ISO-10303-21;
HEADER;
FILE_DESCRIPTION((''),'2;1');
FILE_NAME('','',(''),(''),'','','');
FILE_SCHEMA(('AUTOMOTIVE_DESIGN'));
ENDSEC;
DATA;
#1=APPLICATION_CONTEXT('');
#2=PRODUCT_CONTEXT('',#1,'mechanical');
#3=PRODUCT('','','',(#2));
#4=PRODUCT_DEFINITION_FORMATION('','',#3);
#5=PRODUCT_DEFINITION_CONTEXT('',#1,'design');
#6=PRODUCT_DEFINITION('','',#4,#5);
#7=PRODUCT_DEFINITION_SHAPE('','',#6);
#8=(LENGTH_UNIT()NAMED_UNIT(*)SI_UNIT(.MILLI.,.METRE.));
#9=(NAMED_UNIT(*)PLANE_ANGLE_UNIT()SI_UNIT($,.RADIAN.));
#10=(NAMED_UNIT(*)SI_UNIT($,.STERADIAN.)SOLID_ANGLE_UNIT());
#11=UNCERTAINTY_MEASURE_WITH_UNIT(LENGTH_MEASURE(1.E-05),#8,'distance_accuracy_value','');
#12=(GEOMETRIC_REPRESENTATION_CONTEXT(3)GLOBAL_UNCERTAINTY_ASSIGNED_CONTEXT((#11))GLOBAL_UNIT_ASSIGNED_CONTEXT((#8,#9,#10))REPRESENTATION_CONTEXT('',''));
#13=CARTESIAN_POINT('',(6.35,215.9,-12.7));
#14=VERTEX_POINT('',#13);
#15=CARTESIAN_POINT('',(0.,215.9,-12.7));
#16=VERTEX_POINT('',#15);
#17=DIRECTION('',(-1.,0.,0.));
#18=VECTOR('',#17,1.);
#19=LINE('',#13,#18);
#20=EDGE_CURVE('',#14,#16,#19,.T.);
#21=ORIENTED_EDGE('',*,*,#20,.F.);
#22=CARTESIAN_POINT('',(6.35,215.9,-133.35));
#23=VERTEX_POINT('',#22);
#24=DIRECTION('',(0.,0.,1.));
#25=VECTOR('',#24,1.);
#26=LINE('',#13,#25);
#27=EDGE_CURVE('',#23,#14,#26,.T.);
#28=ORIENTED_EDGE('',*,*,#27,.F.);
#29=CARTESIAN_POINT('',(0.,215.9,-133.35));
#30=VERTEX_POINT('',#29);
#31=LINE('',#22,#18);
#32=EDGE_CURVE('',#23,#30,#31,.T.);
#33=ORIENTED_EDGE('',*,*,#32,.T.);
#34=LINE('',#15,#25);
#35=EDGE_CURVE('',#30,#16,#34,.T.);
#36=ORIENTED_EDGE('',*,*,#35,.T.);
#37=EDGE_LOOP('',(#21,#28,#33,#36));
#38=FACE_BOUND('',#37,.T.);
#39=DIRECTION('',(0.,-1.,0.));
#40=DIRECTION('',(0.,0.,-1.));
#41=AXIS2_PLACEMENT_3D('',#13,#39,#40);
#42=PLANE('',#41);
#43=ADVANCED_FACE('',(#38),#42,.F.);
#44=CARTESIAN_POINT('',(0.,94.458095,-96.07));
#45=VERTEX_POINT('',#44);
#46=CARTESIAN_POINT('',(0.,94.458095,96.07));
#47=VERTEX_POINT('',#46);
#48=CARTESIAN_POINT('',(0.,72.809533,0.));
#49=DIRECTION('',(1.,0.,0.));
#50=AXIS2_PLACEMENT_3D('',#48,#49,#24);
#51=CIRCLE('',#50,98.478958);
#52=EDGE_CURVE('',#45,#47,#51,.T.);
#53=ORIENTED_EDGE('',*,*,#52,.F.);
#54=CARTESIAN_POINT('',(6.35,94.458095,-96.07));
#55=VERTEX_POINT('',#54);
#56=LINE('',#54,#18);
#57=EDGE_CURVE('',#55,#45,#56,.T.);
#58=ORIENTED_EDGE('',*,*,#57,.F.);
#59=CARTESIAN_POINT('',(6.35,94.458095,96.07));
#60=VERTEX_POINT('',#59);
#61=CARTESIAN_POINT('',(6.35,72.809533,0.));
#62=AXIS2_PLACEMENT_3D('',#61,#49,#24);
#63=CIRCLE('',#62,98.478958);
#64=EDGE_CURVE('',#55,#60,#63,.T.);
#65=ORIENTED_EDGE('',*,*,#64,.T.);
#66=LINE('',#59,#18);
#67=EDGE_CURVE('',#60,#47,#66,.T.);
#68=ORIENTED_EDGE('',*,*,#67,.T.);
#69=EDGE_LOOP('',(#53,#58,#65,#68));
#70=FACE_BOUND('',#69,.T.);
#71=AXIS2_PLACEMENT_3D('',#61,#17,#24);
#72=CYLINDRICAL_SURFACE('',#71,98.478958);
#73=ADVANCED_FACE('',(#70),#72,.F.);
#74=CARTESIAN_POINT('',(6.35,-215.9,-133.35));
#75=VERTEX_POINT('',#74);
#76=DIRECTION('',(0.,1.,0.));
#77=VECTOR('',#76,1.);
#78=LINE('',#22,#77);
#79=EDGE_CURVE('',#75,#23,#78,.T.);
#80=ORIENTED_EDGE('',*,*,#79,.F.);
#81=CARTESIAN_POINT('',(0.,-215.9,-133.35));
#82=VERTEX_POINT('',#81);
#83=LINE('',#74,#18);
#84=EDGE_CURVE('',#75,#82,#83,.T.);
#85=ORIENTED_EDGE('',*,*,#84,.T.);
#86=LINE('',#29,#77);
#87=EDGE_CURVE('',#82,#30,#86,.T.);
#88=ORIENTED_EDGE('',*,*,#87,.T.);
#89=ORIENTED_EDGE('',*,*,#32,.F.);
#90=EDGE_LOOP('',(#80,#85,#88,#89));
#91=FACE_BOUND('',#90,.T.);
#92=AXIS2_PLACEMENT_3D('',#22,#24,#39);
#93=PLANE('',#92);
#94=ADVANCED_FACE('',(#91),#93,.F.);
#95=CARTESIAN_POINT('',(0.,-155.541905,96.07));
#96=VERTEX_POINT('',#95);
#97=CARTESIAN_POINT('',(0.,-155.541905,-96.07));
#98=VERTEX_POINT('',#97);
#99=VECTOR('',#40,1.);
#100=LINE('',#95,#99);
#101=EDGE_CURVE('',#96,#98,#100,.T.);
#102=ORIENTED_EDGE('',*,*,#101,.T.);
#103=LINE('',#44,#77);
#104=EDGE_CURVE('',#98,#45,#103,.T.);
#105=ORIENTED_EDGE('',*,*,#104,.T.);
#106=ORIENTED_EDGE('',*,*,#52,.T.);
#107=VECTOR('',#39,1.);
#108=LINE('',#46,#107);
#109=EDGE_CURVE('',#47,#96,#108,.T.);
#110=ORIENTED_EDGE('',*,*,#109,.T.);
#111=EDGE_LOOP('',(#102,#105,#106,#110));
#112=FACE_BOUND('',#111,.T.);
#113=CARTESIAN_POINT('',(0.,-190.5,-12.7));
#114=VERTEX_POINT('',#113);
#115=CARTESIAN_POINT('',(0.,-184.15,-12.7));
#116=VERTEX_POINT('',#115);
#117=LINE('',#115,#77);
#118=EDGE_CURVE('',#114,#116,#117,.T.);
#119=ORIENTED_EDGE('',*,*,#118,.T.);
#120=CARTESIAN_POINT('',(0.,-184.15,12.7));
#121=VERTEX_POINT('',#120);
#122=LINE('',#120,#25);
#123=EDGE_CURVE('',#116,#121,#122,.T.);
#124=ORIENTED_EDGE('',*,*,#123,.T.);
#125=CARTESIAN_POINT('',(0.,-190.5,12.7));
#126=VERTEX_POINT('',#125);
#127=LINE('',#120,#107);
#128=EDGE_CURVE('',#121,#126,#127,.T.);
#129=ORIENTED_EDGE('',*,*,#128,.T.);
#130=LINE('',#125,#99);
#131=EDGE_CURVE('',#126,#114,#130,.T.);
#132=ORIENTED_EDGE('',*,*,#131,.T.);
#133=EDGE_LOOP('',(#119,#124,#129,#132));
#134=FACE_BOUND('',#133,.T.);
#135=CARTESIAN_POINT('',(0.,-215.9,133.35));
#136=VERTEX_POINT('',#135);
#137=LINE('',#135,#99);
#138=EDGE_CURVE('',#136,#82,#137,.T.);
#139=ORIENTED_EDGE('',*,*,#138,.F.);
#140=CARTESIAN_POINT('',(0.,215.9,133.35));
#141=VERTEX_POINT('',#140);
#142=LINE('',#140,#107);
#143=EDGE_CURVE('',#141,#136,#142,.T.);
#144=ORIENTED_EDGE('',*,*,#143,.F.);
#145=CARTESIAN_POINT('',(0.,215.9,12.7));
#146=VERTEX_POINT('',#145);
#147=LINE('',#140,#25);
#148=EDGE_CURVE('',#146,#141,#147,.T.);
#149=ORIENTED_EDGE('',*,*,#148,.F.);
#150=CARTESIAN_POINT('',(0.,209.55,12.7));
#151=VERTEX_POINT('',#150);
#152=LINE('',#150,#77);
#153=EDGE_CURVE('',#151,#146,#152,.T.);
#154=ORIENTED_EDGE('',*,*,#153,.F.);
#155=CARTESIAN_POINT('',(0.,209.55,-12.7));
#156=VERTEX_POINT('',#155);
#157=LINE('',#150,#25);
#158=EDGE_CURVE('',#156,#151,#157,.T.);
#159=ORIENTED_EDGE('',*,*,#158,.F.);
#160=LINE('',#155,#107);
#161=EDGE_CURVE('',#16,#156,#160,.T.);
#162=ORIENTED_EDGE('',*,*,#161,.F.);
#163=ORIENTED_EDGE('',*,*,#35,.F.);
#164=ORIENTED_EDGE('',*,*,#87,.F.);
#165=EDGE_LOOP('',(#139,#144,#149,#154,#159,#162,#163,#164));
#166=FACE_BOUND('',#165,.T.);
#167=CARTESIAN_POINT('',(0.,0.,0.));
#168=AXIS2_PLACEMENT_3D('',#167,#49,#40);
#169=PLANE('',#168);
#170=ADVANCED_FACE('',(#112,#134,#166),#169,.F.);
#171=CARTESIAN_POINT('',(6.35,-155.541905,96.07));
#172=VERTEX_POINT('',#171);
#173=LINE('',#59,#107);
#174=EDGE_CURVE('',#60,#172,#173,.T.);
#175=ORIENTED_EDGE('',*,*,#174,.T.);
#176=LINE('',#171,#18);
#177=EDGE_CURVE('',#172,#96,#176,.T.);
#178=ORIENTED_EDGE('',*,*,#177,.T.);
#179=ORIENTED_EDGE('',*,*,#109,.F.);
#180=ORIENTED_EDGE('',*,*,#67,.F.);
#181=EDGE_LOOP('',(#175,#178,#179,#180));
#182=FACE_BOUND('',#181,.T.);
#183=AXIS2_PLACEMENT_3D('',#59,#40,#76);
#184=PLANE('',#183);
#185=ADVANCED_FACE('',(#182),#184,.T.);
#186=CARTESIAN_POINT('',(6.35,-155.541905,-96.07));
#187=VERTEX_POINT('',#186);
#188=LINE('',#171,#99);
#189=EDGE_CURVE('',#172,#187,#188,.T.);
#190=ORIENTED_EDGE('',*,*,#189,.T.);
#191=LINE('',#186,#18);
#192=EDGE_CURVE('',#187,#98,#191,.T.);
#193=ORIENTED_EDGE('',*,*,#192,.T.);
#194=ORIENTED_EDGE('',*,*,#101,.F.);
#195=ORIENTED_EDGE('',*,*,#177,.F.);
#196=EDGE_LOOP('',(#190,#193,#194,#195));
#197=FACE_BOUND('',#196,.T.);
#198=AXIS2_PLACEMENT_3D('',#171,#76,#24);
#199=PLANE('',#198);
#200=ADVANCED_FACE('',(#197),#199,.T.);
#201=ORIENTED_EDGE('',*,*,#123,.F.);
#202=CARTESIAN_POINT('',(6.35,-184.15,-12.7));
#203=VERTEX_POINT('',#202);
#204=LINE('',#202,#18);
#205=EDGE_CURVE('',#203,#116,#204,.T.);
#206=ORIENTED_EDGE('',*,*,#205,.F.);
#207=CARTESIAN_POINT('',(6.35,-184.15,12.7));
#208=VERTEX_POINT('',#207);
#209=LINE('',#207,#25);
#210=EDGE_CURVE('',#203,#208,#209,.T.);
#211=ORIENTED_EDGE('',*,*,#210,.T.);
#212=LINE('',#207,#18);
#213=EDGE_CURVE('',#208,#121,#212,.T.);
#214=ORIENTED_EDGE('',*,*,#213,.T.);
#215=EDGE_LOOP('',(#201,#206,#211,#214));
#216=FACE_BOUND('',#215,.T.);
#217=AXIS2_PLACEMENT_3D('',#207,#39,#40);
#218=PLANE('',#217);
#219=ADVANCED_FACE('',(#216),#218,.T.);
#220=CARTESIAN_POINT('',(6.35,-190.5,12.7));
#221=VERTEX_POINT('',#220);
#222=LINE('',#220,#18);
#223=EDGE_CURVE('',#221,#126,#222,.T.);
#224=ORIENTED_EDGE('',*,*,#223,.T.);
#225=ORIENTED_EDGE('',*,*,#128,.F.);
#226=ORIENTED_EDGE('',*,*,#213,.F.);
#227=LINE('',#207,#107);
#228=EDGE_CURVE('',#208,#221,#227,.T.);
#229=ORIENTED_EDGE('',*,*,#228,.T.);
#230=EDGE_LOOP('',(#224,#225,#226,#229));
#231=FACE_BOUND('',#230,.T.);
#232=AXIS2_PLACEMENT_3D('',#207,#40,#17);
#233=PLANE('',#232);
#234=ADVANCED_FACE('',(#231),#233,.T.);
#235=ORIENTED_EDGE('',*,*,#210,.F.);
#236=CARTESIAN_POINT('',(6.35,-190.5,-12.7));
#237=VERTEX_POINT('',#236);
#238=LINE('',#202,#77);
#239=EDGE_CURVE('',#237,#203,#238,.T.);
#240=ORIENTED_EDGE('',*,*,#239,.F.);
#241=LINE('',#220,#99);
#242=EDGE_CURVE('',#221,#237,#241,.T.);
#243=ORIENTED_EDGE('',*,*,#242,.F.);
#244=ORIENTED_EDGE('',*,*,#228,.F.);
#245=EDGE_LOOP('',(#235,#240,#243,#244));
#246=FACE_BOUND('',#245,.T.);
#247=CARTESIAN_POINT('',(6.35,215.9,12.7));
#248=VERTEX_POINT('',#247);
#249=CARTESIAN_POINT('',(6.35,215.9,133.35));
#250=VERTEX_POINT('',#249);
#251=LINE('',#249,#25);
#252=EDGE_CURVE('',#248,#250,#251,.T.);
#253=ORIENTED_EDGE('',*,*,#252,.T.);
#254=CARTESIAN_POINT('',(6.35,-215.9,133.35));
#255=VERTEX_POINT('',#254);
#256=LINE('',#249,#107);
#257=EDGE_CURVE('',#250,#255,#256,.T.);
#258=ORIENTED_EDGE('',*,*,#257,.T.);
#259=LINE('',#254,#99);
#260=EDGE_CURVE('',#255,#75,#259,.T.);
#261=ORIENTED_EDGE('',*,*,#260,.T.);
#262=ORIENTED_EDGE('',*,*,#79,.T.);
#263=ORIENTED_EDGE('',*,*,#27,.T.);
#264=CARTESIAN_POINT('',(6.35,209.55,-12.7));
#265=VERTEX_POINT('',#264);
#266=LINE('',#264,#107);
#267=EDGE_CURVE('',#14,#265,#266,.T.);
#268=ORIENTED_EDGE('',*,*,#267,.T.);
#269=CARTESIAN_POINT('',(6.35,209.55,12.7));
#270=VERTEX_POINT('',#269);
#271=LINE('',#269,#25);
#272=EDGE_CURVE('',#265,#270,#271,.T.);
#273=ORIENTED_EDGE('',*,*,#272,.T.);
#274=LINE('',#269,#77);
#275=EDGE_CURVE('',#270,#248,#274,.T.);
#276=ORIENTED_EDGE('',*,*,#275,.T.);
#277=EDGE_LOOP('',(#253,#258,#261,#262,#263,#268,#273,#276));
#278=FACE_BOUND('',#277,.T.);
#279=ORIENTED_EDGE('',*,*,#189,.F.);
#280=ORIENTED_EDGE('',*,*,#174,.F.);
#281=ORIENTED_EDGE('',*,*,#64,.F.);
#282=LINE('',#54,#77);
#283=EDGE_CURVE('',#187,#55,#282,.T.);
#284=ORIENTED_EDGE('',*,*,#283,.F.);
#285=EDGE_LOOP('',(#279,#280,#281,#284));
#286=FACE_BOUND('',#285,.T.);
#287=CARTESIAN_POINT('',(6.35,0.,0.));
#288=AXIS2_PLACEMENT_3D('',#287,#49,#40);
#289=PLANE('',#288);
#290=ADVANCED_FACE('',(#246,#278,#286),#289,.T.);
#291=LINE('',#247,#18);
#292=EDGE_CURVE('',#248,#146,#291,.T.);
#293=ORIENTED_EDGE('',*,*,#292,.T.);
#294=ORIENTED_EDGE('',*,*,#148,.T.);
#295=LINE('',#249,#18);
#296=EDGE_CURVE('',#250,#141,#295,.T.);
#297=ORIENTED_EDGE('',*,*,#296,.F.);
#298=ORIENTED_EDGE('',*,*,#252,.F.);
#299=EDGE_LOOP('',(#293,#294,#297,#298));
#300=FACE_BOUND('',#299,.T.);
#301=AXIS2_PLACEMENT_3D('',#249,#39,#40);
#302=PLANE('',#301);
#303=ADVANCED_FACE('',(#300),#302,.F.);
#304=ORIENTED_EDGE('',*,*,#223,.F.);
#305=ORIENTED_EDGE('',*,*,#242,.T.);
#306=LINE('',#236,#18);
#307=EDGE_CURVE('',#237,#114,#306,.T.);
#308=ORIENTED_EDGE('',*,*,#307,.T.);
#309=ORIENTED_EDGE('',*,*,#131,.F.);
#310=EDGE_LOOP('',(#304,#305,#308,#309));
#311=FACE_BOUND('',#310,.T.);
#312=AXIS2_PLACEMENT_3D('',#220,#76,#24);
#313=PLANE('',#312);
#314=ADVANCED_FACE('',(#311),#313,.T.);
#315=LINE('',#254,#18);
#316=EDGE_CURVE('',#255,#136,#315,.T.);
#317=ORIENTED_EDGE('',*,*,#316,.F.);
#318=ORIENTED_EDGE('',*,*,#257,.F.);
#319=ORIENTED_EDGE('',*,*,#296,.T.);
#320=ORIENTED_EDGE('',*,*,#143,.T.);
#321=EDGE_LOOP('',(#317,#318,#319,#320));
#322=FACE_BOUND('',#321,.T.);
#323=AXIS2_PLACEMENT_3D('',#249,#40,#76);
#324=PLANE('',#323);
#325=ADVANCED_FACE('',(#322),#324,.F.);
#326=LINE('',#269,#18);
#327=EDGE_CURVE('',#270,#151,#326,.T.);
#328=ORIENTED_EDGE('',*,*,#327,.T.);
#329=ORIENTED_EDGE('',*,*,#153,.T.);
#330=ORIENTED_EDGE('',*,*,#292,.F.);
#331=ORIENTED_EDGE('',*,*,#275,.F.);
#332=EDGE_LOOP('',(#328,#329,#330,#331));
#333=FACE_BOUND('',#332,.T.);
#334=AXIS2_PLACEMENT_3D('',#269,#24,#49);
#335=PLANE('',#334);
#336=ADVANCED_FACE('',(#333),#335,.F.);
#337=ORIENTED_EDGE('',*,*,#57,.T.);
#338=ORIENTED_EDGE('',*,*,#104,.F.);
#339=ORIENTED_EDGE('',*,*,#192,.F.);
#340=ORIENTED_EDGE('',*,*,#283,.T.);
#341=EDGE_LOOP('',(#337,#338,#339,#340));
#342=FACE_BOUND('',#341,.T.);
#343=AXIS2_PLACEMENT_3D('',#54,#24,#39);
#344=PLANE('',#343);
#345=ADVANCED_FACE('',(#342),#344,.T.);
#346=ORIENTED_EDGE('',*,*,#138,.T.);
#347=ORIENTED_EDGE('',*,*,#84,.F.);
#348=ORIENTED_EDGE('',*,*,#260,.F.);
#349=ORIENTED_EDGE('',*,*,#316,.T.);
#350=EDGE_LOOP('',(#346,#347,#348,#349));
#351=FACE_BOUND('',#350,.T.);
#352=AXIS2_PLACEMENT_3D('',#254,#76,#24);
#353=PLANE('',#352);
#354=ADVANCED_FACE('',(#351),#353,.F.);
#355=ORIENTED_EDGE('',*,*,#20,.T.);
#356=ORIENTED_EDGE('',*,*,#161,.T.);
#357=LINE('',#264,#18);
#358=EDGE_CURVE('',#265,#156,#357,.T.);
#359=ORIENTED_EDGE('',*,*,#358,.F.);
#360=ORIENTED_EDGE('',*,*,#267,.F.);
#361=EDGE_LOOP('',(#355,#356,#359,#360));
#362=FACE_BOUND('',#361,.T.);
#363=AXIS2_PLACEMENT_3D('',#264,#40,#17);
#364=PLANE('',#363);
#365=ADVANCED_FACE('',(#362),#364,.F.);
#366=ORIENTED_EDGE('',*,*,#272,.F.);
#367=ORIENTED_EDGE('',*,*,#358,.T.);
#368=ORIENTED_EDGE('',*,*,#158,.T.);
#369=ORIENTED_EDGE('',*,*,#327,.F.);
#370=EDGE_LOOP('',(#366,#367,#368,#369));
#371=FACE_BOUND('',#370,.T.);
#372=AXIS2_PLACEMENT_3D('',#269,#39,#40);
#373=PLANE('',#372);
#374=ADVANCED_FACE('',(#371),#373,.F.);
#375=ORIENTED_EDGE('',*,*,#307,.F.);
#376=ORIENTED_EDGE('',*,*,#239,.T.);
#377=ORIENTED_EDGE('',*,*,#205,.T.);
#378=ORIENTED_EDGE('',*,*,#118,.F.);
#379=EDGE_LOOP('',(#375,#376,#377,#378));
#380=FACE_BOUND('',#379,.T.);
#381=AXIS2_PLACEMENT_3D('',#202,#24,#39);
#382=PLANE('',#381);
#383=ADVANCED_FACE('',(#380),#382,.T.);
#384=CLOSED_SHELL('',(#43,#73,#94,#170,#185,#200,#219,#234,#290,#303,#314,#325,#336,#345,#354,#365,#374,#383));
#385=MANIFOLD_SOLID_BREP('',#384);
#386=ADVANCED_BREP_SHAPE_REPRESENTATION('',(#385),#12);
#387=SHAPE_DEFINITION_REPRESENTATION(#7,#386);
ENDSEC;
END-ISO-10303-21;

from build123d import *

# Parameters (mm, degrees)
SKETCH1_W           = 25.4
SKETCH1_H           = 6.35
BOSS_EXTRUDE1_DEPTH = 6.35


with BuildPart() as part:
    # Sketch1 → Boss-Extrude1 (new body)
    with BuildSketch(Plane(origin=(0, 0, 0), x_dir=(0, 0, -1), z_dir=(1, 0, 0))):
        Polygon((12.7, 215.9), (133.35, 215.9), (133.35, -215.9), (-133.35, -215.9), (-133.35, 215.9), (-12.7, 215.9), (-12.7, 209.55), (12.7, 209.55), align=None)
        with Locations((0, -187.325)):
            Rectangle(SKETCH1_W, SKETCH1_H, mode=Mode.SUBTRACT)
        with BuildLine():
            Line((-96.07, 94.458095238), (-96.07, -155.541904762))
            Line((-96.07, -155.541904762), (96.07, -155.541904762))
            Line((96.07, -155.541904762), (96.07, 94.458095238))
            ThreePointArc((96.07, 94.458095238), (0, 171.288491158), (-96.07, 94.458095238))
        make_face(mode=Mode.SUBTRACT)
    extrude(amount=BOSS_EXTRUDE1_DEPTH)


solid = part.part
